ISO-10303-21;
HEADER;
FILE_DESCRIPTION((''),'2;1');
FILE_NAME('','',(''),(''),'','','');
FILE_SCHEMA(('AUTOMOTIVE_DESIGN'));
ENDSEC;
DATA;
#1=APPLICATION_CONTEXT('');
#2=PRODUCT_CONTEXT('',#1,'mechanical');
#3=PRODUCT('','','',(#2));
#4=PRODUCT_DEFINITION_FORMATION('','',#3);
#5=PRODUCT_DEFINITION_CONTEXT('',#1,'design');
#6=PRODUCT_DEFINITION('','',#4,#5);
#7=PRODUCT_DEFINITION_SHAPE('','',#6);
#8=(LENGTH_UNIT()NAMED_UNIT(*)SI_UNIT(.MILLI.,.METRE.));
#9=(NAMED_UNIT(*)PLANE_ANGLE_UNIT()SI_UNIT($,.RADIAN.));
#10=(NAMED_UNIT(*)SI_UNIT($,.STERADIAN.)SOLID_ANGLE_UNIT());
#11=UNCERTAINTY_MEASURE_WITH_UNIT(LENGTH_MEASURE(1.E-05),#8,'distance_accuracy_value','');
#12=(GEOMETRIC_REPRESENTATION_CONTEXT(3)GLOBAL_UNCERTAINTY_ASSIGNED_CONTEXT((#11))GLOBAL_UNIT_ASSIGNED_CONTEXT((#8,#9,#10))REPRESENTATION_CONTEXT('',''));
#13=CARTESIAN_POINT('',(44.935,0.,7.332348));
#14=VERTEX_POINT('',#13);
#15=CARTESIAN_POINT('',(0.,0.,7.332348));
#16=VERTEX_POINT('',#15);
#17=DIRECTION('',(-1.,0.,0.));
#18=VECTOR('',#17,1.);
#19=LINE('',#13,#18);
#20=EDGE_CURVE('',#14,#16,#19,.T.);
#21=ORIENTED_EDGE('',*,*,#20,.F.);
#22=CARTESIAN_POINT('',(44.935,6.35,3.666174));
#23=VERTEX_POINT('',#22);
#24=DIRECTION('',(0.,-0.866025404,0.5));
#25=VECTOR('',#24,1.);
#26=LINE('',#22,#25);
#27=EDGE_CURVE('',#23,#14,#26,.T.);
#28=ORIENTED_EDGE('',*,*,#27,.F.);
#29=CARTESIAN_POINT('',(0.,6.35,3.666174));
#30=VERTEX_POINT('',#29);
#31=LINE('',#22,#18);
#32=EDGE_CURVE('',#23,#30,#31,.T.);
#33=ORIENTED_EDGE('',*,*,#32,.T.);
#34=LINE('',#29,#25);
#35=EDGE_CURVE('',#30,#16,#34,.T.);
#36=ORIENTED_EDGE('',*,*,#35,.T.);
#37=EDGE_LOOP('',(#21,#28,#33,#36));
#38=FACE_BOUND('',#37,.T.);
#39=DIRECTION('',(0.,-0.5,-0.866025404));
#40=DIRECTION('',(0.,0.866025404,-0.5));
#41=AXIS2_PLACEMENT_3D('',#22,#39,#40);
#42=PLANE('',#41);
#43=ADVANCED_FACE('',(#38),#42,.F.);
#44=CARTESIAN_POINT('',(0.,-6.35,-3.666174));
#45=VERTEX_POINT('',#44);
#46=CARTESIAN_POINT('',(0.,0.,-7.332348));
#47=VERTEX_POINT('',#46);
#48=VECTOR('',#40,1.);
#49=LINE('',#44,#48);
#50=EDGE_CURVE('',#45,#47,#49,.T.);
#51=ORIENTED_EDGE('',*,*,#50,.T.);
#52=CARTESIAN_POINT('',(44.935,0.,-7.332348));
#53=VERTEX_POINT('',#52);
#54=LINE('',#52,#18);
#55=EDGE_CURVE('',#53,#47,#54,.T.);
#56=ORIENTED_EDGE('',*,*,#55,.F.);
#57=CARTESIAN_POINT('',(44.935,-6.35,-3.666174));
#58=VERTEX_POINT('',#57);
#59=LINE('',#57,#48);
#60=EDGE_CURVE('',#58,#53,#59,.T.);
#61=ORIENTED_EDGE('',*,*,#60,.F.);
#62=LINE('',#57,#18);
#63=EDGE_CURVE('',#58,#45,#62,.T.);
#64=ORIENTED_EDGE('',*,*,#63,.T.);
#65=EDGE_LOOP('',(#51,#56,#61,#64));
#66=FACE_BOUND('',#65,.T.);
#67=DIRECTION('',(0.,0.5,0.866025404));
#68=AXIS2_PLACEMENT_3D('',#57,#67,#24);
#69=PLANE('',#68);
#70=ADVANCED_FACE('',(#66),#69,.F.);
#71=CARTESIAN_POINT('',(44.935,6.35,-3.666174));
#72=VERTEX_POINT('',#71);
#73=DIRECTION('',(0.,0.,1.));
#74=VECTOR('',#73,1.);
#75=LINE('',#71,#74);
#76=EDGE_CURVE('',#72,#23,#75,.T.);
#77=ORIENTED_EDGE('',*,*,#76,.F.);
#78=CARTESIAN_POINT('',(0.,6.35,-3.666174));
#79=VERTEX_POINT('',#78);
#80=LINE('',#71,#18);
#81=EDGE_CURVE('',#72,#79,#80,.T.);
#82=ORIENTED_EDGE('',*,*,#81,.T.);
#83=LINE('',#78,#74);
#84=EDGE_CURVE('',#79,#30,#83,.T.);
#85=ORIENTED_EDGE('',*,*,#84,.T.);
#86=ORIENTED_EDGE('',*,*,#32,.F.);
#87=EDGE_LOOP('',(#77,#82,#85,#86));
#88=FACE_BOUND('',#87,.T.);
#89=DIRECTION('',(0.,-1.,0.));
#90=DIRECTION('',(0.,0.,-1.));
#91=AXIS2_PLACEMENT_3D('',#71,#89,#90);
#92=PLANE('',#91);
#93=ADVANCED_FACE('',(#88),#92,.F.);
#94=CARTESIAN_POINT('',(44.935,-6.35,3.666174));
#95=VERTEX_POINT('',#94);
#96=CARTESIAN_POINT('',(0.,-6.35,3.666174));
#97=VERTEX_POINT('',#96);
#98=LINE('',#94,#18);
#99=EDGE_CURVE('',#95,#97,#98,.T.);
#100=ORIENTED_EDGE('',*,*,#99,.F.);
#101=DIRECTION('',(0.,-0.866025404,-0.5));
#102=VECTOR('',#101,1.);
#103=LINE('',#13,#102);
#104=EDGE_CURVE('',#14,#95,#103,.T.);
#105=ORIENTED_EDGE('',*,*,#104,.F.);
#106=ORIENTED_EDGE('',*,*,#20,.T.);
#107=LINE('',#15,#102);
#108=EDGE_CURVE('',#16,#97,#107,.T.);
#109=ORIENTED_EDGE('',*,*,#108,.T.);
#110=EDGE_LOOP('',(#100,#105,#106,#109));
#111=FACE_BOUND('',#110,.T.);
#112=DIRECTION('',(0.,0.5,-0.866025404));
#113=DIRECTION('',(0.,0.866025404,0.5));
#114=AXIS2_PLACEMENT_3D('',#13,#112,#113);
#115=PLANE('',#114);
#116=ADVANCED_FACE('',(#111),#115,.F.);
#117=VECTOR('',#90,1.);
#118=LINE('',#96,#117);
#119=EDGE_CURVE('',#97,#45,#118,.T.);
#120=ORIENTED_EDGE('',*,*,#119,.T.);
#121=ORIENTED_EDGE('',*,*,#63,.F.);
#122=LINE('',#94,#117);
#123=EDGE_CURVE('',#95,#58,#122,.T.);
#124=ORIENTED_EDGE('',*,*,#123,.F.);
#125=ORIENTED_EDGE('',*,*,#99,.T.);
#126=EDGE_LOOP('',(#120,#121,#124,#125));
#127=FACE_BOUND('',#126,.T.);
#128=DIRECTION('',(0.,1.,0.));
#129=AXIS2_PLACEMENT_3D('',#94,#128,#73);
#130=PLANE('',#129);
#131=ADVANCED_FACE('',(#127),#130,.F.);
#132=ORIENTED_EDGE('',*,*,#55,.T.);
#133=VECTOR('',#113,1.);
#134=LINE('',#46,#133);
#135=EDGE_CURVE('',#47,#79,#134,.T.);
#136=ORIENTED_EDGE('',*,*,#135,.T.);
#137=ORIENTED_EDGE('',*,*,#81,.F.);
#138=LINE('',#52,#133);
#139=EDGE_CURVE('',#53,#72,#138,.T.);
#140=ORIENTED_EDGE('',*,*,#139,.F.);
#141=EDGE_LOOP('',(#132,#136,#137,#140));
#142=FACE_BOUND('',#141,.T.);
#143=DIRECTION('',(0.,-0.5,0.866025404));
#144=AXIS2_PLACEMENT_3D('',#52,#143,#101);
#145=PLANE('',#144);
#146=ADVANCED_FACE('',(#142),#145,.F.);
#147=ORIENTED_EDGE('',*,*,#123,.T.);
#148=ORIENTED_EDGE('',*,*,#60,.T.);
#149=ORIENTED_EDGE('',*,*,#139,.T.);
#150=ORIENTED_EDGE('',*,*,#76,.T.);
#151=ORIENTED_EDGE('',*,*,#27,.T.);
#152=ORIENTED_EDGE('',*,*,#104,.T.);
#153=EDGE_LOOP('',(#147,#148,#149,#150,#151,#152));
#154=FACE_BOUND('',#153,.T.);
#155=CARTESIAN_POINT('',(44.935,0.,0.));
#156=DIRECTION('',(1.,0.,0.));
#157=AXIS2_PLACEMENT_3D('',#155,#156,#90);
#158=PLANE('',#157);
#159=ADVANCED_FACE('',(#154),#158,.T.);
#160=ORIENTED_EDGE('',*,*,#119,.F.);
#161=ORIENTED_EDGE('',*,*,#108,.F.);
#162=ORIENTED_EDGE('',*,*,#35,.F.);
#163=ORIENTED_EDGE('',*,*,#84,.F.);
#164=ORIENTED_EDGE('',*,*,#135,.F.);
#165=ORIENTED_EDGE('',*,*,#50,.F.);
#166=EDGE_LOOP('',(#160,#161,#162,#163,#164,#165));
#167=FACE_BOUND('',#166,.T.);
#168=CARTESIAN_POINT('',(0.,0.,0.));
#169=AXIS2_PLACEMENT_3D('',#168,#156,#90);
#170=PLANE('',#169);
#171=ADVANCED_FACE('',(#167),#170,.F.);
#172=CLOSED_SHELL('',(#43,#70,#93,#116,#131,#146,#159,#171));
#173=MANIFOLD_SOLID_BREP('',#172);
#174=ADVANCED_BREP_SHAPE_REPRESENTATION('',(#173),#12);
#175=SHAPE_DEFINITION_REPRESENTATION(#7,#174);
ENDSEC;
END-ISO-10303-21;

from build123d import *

# Parameters (mm, degrees)
SALIENTE_EXTRUIR1_DEPTH = 44.935


with BuildPart() as part:
    # Croquis2 → Saliente-Extruir1 (new body)
    with BuildSketch(Plane(origin=(0, 0, 0), x_dir=(0, 0, -1), z_dir=(1, 0, 0))):
        Polygon((7.332348419, 0), (3.666174209, 6.35), (-3.666174209, 6.35), (-7.332348419, 0), (-3.666174209, -6.35), (3.666174209, -6.35), align=None)
    extrude(amount=SALIENTE_EXTRUIR1_DEPTH)


solid = part.part
